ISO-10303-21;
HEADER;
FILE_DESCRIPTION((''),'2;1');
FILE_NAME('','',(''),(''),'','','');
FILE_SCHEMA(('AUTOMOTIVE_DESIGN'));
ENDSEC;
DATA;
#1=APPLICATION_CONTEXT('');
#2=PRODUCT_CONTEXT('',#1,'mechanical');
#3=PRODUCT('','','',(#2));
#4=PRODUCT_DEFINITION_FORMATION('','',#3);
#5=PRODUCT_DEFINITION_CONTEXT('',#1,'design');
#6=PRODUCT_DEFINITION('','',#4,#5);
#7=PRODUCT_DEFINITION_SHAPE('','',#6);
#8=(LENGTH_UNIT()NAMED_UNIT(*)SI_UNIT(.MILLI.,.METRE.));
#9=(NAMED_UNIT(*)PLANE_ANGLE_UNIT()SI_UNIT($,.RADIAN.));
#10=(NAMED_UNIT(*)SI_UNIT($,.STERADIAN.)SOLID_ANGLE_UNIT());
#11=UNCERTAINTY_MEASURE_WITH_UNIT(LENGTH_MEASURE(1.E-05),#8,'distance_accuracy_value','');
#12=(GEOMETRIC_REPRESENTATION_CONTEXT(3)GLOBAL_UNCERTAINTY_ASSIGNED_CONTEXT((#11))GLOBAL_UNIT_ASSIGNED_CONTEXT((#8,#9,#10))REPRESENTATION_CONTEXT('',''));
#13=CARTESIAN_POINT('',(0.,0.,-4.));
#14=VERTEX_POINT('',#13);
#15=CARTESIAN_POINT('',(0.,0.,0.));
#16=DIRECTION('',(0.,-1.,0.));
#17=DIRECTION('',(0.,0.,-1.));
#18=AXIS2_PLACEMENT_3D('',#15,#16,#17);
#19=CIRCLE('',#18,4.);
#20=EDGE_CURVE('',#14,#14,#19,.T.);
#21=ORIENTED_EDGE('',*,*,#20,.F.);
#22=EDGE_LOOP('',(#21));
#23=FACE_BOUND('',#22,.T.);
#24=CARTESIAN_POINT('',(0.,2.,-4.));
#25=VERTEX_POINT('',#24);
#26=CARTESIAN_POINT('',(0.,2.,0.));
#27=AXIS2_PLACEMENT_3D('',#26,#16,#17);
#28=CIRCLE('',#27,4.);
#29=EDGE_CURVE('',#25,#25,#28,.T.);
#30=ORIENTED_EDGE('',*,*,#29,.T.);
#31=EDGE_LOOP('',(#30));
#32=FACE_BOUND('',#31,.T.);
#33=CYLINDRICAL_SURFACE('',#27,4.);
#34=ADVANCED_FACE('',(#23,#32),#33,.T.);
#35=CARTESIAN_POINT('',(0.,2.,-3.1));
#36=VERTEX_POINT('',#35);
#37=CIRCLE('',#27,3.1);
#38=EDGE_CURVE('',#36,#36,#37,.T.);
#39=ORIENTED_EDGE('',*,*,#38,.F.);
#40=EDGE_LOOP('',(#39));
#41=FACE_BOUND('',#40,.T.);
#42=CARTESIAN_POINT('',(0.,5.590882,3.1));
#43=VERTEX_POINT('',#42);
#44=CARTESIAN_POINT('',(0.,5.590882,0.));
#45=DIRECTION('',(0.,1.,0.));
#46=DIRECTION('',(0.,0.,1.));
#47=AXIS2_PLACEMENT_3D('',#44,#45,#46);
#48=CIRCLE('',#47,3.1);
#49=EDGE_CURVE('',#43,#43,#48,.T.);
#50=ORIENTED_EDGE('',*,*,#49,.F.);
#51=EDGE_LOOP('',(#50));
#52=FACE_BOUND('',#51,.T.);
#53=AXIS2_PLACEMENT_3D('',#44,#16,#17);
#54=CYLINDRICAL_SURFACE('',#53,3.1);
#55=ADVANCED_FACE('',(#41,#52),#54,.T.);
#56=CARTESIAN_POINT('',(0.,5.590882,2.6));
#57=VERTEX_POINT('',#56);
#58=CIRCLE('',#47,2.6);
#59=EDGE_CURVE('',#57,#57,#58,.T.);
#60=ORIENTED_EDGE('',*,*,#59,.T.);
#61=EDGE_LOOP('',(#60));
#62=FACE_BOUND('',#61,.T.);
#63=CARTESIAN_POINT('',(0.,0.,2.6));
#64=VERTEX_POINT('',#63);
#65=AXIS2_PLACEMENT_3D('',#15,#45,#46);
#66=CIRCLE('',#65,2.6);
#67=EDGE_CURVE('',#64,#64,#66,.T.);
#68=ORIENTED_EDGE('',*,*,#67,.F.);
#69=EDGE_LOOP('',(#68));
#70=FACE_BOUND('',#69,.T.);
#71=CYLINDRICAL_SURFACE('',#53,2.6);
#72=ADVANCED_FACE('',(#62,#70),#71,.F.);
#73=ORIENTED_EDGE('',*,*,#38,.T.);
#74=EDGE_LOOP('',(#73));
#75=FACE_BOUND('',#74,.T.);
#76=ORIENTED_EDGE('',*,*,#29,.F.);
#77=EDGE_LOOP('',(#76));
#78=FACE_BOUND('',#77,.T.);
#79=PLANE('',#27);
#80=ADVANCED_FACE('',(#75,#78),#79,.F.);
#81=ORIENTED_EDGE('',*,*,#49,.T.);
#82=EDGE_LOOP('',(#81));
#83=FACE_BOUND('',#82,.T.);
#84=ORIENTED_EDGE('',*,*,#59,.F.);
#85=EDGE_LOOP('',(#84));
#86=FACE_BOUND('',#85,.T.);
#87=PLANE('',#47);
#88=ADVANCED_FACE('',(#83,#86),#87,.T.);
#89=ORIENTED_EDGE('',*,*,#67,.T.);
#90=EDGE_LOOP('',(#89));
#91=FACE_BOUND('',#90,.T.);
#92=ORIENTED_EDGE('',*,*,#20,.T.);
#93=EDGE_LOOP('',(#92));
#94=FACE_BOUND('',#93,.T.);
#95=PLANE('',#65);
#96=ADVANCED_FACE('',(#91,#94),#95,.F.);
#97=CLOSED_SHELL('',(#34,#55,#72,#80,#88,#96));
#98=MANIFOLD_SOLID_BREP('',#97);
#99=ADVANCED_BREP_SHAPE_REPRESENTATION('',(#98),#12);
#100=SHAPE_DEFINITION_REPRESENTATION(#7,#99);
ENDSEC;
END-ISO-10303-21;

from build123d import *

# Parameters (mm, degrees)
SKETCH1_R           = 3.1
SKETCH1_R_2         = 2.6
BOSS_EXTRUDE1_DEPTH = 5.590882
SKETCH2_R           = 4
SKETCH2_R_2         = 2.6
BOSS_EXTRUDE2_DEPTH = 2


with BuildPart() as part:
    # Sketch1 → Boss-Extrude1 (new body)
    with BuildSketch(Plane(origin=(0, 0, 0), x_dir=(1, 0, 0), z_dir=(0, 1, 0))):
        with Locations(Location((0, 0, 0), (0, 0, 270))):
            Circle(SKETCH1_R)
        with Locations(Location((0, 0, 0), (0, 0, 270))):
            Circle(SKETCH1_R_2, mode=Mode.SUBTRACT)
    extrude(amount=BOSS_EXTRUDE1_DEPTH)

    # Sketch2 → Boss-Extrude2 (add)
    with BuildSketch(Plane.XZ):
        with Locations(Location((0, 0, 0), (0, 0, 270))):
            Circle(SKETCH2_R)
        with Locations(Location((0, 0, 0), (0, 0, 90))):
            Circle(SKETCH2_R_2, mode=Mode.SUBTRACT)
    extrude(amount=-BOSS_EXTRUDE2_DEPTH)


solid = part.part
